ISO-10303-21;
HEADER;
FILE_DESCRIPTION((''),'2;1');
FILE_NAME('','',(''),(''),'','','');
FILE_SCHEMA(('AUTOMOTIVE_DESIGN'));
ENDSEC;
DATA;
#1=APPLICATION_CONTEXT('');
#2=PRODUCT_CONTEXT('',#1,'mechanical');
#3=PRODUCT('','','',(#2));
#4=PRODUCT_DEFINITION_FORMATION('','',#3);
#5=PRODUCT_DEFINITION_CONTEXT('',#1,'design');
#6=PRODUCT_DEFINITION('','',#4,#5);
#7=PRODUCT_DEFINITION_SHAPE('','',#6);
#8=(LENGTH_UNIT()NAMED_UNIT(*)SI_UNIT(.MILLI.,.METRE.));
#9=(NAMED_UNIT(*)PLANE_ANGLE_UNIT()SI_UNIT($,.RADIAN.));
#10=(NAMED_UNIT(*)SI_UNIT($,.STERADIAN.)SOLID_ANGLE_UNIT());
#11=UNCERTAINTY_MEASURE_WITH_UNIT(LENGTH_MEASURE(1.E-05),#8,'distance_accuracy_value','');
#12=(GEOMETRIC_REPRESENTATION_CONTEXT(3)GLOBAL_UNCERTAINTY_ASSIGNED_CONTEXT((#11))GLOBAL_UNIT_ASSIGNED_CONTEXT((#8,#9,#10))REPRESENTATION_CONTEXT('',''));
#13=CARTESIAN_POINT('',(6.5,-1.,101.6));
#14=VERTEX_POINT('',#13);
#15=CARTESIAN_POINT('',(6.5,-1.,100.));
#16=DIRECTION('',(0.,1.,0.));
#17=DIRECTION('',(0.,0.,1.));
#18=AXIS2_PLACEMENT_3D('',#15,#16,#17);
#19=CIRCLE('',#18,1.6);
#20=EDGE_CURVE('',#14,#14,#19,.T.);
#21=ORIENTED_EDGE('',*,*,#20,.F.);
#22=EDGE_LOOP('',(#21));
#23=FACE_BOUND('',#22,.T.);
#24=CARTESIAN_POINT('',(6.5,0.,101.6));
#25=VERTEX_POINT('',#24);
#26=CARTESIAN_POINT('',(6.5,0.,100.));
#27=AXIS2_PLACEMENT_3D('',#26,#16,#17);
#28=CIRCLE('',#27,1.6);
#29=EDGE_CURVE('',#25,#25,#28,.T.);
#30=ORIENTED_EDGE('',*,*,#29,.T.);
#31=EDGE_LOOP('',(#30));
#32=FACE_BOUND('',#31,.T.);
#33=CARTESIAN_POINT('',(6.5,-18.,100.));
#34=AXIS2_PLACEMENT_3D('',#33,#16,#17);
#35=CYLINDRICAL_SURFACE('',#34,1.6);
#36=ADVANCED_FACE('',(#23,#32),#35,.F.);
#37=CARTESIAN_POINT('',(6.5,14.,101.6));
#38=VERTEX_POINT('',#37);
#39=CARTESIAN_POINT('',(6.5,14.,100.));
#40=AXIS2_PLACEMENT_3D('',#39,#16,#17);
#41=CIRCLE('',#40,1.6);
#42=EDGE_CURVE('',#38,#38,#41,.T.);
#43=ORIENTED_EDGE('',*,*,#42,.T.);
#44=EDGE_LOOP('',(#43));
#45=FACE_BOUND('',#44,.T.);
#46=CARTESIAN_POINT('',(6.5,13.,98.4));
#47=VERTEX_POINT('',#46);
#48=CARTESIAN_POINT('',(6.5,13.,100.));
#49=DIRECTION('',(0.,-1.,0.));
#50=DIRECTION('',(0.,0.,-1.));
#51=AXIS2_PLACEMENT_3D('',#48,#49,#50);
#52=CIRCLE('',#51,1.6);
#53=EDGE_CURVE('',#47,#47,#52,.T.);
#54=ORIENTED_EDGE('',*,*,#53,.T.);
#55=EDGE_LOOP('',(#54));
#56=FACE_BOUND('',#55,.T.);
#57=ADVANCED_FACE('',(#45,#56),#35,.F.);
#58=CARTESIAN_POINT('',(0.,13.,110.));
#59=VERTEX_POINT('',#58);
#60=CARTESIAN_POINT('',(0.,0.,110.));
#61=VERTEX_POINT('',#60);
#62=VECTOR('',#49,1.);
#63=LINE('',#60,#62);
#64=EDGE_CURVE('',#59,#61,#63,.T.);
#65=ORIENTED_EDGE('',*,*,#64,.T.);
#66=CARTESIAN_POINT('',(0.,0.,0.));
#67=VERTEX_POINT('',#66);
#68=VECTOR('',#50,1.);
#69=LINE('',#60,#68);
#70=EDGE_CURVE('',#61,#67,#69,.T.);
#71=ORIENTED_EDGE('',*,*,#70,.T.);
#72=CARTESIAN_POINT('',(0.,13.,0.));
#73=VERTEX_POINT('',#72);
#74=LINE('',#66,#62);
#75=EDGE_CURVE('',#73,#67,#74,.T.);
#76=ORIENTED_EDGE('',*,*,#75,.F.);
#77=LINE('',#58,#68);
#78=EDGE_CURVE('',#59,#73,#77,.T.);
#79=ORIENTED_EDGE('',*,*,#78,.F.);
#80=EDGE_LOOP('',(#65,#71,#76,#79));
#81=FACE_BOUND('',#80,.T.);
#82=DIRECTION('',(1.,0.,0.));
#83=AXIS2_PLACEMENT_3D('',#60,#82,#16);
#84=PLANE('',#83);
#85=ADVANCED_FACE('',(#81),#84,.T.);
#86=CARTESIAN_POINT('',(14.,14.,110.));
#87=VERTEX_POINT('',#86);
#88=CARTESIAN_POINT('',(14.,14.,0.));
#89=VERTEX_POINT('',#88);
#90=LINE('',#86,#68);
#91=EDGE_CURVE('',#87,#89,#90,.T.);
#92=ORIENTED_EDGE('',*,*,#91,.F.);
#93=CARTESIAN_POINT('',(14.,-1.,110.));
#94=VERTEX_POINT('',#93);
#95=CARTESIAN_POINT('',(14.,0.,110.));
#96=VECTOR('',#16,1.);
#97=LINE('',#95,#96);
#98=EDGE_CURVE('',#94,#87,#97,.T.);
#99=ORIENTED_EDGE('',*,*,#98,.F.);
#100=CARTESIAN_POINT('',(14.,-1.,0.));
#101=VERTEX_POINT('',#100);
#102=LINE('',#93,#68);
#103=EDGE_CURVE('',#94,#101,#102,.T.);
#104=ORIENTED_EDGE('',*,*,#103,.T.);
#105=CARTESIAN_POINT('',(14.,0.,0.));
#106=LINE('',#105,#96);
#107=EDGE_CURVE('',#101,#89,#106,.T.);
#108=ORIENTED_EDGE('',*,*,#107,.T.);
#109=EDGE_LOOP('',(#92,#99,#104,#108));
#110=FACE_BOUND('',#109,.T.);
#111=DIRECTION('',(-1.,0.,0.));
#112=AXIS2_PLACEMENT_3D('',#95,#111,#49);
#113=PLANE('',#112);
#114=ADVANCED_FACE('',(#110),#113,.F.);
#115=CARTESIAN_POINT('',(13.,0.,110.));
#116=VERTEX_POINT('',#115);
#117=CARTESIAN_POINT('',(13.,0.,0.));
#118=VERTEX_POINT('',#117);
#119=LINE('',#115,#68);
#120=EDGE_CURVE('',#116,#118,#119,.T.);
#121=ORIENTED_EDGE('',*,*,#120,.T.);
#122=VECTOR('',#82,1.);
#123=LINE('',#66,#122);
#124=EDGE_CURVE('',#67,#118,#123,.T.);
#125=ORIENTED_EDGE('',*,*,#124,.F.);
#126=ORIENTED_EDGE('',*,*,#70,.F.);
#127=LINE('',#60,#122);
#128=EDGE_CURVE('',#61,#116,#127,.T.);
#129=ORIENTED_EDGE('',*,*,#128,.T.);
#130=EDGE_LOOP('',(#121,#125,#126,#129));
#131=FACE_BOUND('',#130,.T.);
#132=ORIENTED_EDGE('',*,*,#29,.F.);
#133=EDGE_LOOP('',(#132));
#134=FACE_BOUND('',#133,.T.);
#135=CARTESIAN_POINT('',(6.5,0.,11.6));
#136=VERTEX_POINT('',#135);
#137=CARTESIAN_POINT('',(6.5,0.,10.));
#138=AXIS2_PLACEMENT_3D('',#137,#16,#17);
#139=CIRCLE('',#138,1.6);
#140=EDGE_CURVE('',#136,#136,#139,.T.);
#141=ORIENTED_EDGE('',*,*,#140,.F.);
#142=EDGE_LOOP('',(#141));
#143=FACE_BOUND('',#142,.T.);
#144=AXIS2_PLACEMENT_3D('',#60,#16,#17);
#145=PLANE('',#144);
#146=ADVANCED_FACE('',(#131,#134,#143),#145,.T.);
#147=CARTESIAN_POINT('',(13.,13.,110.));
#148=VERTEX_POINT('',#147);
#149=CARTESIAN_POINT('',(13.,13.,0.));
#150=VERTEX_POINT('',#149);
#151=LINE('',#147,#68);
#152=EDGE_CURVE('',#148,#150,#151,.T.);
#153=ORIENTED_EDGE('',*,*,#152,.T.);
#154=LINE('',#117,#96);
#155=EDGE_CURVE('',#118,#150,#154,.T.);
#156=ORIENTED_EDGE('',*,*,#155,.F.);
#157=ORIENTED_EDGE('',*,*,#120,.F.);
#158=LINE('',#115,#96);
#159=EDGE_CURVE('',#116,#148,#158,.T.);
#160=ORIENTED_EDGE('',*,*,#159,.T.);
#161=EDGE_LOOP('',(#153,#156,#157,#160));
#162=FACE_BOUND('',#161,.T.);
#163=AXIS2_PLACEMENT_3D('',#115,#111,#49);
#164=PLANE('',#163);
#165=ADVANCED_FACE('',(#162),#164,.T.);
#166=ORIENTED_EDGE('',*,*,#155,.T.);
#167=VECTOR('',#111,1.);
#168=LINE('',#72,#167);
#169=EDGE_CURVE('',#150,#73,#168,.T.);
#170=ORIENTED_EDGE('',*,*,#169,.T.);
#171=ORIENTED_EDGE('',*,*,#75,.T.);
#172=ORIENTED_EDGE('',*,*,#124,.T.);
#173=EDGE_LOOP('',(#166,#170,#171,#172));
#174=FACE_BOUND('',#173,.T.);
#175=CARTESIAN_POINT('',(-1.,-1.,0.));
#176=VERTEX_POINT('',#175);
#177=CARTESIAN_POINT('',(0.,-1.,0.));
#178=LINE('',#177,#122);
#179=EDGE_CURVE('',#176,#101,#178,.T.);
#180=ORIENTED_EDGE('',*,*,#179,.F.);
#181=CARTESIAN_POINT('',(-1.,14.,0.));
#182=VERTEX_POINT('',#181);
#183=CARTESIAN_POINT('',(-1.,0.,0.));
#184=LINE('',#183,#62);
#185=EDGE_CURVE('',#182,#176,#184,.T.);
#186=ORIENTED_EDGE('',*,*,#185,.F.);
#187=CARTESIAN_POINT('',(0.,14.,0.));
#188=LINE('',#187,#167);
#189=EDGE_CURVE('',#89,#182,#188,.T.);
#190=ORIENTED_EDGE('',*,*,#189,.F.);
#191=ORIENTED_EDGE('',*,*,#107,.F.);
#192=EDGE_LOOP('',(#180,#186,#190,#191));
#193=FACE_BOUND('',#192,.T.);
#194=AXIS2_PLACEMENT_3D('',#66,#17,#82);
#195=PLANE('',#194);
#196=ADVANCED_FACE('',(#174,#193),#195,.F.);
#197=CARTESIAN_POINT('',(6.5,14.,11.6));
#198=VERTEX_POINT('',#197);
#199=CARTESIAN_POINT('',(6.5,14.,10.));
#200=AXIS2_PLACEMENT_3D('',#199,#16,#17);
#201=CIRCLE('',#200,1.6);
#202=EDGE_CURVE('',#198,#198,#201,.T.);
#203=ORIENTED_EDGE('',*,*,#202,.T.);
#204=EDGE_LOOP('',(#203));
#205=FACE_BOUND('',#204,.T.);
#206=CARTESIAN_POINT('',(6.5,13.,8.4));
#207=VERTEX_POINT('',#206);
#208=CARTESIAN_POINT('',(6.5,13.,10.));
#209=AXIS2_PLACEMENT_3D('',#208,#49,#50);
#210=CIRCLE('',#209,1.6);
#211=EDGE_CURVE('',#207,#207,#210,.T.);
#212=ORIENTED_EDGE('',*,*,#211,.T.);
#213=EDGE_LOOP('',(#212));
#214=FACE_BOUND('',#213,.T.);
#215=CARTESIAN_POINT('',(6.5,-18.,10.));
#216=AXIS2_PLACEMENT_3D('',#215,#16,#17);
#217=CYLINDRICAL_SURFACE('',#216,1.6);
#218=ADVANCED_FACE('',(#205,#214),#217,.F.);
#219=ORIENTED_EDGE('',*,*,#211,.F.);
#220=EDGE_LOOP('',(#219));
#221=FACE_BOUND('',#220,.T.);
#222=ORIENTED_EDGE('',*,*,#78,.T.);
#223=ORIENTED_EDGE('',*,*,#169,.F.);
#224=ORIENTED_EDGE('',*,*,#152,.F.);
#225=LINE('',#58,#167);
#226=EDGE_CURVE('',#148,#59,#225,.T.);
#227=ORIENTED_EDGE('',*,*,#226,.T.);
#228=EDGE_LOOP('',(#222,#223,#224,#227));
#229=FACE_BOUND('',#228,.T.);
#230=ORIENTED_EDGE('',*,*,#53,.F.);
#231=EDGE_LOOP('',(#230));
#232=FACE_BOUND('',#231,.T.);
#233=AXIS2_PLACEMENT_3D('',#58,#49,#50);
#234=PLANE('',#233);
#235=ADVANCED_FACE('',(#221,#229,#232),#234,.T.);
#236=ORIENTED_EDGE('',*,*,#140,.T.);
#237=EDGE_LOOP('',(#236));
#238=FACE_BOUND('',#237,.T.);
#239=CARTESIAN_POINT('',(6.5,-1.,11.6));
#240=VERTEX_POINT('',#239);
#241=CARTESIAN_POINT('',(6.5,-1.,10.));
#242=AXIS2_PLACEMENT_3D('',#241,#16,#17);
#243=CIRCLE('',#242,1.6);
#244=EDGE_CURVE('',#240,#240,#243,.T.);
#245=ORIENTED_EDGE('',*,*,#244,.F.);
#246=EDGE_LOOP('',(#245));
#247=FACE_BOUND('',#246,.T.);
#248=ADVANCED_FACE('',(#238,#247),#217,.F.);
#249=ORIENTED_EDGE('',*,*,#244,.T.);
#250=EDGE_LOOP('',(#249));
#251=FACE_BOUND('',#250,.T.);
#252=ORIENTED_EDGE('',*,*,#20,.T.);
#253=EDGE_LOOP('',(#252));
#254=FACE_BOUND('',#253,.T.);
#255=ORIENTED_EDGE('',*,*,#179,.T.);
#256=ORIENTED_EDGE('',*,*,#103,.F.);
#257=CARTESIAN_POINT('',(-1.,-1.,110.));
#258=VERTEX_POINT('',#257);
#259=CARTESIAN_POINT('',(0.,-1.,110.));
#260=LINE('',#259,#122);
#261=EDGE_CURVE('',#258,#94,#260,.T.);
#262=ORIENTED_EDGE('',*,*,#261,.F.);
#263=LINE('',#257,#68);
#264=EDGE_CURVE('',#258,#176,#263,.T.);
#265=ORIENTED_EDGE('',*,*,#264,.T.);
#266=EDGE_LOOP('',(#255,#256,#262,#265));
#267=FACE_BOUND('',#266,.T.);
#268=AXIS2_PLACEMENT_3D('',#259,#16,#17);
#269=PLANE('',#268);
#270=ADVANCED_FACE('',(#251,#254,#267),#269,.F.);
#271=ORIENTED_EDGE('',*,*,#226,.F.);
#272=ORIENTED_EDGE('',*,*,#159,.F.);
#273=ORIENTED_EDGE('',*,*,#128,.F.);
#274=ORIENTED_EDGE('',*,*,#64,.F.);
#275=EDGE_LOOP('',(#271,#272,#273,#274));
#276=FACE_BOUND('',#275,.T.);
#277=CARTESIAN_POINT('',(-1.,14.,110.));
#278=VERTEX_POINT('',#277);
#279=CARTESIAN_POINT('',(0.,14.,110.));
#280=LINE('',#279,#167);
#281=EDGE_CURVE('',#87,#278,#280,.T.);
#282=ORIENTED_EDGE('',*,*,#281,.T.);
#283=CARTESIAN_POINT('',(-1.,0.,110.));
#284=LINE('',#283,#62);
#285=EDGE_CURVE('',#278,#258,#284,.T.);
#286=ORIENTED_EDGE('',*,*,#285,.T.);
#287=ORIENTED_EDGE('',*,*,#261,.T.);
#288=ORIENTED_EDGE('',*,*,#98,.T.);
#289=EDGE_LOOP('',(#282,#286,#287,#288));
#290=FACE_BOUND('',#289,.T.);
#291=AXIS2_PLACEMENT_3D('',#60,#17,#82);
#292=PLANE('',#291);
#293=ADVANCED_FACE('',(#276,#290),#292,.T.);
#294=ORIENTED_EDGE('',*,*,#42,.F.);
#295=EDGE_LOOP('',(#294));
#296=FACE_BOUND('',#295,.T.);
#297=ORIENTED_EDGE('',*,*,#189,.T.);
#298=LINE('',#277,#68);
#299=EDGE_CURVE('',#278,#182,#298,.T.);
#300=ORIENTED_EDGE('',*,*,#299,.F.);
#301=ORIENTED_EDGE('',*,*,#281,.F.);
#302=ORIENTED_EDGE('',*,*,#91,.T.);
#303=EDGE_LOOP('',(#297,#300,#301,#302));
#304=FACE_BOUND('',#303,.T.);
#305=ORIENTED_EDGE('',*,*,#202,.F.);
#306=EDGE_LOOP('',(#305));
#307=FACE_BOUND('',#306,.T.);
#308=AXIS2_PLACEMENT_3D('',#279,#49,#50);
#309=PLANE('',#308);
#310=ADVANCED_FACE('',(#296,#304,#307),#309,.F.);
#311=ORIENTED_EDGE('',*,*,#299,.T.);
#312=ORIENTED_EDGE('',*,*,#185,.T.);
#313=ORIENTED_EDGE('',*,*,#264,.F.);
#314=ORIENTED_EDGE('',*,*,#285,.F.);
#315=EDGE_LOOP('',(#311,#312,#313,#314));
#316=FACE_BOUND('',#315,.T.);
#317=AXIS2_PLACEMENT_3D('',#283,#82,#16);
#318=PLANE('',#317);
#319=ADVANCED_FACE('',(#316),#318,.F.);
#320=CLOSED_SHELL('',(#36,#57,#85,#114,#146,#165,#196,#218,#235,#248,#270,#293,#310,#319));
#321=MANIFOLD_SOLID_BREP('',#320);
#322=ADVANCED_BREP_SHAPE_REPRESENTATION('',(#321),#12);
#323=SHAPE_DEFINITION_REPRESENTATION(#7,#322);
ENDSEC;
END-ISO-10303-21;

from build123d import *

# Parameters (mm, degrees)
SKETCH_1_W          = 15
SKETCH_1_H          = 15
SKETCH_1_W_2        = 13
SKETCH_1_H_2        = 13
EXTRUDE_1_DEPTH     = 110
SKETCH_2_R          = 1.6
CUT_EXTRUDE_1_DEPTH = 32


with BuildPart() as part:
    # 草图1 → 拉伸-薄壁1 (new body)
    with BuildSketch(Plane.XY):
        with Locations((6.5, 6.5)):
            Rectangle(SKETCH_1_W, SKETCH_1_H)
        with Locations((6.5, 6.5)):
            Rectangle(SKETCH_1_W_2, SKETCH_1_H_2, mode=Mode.SUBTRACT)
    extrude(amount=EXTRUDE_1_DEPTH)

    # 草图2 → 切除-拉伸1 (cut)
    with BuildSketch(Plane(origin=(0, 14, 0), x_dir=(1, 0, 0), z_dir=(0, 1, 0))):
        with Locations(Location((6.5, -10, 0), (0, 0, 270))):
            Circle(SKETCH_2_R)
        with Locations(Location((6.5, -100, 0), (0, 0, 270))):
            Circle(SKETCH_2_R)
    extrude(amount=-CUT_EXTRUDE_1_DEPTH, mode=Mode.SUBTRACT)


solid = part.part
